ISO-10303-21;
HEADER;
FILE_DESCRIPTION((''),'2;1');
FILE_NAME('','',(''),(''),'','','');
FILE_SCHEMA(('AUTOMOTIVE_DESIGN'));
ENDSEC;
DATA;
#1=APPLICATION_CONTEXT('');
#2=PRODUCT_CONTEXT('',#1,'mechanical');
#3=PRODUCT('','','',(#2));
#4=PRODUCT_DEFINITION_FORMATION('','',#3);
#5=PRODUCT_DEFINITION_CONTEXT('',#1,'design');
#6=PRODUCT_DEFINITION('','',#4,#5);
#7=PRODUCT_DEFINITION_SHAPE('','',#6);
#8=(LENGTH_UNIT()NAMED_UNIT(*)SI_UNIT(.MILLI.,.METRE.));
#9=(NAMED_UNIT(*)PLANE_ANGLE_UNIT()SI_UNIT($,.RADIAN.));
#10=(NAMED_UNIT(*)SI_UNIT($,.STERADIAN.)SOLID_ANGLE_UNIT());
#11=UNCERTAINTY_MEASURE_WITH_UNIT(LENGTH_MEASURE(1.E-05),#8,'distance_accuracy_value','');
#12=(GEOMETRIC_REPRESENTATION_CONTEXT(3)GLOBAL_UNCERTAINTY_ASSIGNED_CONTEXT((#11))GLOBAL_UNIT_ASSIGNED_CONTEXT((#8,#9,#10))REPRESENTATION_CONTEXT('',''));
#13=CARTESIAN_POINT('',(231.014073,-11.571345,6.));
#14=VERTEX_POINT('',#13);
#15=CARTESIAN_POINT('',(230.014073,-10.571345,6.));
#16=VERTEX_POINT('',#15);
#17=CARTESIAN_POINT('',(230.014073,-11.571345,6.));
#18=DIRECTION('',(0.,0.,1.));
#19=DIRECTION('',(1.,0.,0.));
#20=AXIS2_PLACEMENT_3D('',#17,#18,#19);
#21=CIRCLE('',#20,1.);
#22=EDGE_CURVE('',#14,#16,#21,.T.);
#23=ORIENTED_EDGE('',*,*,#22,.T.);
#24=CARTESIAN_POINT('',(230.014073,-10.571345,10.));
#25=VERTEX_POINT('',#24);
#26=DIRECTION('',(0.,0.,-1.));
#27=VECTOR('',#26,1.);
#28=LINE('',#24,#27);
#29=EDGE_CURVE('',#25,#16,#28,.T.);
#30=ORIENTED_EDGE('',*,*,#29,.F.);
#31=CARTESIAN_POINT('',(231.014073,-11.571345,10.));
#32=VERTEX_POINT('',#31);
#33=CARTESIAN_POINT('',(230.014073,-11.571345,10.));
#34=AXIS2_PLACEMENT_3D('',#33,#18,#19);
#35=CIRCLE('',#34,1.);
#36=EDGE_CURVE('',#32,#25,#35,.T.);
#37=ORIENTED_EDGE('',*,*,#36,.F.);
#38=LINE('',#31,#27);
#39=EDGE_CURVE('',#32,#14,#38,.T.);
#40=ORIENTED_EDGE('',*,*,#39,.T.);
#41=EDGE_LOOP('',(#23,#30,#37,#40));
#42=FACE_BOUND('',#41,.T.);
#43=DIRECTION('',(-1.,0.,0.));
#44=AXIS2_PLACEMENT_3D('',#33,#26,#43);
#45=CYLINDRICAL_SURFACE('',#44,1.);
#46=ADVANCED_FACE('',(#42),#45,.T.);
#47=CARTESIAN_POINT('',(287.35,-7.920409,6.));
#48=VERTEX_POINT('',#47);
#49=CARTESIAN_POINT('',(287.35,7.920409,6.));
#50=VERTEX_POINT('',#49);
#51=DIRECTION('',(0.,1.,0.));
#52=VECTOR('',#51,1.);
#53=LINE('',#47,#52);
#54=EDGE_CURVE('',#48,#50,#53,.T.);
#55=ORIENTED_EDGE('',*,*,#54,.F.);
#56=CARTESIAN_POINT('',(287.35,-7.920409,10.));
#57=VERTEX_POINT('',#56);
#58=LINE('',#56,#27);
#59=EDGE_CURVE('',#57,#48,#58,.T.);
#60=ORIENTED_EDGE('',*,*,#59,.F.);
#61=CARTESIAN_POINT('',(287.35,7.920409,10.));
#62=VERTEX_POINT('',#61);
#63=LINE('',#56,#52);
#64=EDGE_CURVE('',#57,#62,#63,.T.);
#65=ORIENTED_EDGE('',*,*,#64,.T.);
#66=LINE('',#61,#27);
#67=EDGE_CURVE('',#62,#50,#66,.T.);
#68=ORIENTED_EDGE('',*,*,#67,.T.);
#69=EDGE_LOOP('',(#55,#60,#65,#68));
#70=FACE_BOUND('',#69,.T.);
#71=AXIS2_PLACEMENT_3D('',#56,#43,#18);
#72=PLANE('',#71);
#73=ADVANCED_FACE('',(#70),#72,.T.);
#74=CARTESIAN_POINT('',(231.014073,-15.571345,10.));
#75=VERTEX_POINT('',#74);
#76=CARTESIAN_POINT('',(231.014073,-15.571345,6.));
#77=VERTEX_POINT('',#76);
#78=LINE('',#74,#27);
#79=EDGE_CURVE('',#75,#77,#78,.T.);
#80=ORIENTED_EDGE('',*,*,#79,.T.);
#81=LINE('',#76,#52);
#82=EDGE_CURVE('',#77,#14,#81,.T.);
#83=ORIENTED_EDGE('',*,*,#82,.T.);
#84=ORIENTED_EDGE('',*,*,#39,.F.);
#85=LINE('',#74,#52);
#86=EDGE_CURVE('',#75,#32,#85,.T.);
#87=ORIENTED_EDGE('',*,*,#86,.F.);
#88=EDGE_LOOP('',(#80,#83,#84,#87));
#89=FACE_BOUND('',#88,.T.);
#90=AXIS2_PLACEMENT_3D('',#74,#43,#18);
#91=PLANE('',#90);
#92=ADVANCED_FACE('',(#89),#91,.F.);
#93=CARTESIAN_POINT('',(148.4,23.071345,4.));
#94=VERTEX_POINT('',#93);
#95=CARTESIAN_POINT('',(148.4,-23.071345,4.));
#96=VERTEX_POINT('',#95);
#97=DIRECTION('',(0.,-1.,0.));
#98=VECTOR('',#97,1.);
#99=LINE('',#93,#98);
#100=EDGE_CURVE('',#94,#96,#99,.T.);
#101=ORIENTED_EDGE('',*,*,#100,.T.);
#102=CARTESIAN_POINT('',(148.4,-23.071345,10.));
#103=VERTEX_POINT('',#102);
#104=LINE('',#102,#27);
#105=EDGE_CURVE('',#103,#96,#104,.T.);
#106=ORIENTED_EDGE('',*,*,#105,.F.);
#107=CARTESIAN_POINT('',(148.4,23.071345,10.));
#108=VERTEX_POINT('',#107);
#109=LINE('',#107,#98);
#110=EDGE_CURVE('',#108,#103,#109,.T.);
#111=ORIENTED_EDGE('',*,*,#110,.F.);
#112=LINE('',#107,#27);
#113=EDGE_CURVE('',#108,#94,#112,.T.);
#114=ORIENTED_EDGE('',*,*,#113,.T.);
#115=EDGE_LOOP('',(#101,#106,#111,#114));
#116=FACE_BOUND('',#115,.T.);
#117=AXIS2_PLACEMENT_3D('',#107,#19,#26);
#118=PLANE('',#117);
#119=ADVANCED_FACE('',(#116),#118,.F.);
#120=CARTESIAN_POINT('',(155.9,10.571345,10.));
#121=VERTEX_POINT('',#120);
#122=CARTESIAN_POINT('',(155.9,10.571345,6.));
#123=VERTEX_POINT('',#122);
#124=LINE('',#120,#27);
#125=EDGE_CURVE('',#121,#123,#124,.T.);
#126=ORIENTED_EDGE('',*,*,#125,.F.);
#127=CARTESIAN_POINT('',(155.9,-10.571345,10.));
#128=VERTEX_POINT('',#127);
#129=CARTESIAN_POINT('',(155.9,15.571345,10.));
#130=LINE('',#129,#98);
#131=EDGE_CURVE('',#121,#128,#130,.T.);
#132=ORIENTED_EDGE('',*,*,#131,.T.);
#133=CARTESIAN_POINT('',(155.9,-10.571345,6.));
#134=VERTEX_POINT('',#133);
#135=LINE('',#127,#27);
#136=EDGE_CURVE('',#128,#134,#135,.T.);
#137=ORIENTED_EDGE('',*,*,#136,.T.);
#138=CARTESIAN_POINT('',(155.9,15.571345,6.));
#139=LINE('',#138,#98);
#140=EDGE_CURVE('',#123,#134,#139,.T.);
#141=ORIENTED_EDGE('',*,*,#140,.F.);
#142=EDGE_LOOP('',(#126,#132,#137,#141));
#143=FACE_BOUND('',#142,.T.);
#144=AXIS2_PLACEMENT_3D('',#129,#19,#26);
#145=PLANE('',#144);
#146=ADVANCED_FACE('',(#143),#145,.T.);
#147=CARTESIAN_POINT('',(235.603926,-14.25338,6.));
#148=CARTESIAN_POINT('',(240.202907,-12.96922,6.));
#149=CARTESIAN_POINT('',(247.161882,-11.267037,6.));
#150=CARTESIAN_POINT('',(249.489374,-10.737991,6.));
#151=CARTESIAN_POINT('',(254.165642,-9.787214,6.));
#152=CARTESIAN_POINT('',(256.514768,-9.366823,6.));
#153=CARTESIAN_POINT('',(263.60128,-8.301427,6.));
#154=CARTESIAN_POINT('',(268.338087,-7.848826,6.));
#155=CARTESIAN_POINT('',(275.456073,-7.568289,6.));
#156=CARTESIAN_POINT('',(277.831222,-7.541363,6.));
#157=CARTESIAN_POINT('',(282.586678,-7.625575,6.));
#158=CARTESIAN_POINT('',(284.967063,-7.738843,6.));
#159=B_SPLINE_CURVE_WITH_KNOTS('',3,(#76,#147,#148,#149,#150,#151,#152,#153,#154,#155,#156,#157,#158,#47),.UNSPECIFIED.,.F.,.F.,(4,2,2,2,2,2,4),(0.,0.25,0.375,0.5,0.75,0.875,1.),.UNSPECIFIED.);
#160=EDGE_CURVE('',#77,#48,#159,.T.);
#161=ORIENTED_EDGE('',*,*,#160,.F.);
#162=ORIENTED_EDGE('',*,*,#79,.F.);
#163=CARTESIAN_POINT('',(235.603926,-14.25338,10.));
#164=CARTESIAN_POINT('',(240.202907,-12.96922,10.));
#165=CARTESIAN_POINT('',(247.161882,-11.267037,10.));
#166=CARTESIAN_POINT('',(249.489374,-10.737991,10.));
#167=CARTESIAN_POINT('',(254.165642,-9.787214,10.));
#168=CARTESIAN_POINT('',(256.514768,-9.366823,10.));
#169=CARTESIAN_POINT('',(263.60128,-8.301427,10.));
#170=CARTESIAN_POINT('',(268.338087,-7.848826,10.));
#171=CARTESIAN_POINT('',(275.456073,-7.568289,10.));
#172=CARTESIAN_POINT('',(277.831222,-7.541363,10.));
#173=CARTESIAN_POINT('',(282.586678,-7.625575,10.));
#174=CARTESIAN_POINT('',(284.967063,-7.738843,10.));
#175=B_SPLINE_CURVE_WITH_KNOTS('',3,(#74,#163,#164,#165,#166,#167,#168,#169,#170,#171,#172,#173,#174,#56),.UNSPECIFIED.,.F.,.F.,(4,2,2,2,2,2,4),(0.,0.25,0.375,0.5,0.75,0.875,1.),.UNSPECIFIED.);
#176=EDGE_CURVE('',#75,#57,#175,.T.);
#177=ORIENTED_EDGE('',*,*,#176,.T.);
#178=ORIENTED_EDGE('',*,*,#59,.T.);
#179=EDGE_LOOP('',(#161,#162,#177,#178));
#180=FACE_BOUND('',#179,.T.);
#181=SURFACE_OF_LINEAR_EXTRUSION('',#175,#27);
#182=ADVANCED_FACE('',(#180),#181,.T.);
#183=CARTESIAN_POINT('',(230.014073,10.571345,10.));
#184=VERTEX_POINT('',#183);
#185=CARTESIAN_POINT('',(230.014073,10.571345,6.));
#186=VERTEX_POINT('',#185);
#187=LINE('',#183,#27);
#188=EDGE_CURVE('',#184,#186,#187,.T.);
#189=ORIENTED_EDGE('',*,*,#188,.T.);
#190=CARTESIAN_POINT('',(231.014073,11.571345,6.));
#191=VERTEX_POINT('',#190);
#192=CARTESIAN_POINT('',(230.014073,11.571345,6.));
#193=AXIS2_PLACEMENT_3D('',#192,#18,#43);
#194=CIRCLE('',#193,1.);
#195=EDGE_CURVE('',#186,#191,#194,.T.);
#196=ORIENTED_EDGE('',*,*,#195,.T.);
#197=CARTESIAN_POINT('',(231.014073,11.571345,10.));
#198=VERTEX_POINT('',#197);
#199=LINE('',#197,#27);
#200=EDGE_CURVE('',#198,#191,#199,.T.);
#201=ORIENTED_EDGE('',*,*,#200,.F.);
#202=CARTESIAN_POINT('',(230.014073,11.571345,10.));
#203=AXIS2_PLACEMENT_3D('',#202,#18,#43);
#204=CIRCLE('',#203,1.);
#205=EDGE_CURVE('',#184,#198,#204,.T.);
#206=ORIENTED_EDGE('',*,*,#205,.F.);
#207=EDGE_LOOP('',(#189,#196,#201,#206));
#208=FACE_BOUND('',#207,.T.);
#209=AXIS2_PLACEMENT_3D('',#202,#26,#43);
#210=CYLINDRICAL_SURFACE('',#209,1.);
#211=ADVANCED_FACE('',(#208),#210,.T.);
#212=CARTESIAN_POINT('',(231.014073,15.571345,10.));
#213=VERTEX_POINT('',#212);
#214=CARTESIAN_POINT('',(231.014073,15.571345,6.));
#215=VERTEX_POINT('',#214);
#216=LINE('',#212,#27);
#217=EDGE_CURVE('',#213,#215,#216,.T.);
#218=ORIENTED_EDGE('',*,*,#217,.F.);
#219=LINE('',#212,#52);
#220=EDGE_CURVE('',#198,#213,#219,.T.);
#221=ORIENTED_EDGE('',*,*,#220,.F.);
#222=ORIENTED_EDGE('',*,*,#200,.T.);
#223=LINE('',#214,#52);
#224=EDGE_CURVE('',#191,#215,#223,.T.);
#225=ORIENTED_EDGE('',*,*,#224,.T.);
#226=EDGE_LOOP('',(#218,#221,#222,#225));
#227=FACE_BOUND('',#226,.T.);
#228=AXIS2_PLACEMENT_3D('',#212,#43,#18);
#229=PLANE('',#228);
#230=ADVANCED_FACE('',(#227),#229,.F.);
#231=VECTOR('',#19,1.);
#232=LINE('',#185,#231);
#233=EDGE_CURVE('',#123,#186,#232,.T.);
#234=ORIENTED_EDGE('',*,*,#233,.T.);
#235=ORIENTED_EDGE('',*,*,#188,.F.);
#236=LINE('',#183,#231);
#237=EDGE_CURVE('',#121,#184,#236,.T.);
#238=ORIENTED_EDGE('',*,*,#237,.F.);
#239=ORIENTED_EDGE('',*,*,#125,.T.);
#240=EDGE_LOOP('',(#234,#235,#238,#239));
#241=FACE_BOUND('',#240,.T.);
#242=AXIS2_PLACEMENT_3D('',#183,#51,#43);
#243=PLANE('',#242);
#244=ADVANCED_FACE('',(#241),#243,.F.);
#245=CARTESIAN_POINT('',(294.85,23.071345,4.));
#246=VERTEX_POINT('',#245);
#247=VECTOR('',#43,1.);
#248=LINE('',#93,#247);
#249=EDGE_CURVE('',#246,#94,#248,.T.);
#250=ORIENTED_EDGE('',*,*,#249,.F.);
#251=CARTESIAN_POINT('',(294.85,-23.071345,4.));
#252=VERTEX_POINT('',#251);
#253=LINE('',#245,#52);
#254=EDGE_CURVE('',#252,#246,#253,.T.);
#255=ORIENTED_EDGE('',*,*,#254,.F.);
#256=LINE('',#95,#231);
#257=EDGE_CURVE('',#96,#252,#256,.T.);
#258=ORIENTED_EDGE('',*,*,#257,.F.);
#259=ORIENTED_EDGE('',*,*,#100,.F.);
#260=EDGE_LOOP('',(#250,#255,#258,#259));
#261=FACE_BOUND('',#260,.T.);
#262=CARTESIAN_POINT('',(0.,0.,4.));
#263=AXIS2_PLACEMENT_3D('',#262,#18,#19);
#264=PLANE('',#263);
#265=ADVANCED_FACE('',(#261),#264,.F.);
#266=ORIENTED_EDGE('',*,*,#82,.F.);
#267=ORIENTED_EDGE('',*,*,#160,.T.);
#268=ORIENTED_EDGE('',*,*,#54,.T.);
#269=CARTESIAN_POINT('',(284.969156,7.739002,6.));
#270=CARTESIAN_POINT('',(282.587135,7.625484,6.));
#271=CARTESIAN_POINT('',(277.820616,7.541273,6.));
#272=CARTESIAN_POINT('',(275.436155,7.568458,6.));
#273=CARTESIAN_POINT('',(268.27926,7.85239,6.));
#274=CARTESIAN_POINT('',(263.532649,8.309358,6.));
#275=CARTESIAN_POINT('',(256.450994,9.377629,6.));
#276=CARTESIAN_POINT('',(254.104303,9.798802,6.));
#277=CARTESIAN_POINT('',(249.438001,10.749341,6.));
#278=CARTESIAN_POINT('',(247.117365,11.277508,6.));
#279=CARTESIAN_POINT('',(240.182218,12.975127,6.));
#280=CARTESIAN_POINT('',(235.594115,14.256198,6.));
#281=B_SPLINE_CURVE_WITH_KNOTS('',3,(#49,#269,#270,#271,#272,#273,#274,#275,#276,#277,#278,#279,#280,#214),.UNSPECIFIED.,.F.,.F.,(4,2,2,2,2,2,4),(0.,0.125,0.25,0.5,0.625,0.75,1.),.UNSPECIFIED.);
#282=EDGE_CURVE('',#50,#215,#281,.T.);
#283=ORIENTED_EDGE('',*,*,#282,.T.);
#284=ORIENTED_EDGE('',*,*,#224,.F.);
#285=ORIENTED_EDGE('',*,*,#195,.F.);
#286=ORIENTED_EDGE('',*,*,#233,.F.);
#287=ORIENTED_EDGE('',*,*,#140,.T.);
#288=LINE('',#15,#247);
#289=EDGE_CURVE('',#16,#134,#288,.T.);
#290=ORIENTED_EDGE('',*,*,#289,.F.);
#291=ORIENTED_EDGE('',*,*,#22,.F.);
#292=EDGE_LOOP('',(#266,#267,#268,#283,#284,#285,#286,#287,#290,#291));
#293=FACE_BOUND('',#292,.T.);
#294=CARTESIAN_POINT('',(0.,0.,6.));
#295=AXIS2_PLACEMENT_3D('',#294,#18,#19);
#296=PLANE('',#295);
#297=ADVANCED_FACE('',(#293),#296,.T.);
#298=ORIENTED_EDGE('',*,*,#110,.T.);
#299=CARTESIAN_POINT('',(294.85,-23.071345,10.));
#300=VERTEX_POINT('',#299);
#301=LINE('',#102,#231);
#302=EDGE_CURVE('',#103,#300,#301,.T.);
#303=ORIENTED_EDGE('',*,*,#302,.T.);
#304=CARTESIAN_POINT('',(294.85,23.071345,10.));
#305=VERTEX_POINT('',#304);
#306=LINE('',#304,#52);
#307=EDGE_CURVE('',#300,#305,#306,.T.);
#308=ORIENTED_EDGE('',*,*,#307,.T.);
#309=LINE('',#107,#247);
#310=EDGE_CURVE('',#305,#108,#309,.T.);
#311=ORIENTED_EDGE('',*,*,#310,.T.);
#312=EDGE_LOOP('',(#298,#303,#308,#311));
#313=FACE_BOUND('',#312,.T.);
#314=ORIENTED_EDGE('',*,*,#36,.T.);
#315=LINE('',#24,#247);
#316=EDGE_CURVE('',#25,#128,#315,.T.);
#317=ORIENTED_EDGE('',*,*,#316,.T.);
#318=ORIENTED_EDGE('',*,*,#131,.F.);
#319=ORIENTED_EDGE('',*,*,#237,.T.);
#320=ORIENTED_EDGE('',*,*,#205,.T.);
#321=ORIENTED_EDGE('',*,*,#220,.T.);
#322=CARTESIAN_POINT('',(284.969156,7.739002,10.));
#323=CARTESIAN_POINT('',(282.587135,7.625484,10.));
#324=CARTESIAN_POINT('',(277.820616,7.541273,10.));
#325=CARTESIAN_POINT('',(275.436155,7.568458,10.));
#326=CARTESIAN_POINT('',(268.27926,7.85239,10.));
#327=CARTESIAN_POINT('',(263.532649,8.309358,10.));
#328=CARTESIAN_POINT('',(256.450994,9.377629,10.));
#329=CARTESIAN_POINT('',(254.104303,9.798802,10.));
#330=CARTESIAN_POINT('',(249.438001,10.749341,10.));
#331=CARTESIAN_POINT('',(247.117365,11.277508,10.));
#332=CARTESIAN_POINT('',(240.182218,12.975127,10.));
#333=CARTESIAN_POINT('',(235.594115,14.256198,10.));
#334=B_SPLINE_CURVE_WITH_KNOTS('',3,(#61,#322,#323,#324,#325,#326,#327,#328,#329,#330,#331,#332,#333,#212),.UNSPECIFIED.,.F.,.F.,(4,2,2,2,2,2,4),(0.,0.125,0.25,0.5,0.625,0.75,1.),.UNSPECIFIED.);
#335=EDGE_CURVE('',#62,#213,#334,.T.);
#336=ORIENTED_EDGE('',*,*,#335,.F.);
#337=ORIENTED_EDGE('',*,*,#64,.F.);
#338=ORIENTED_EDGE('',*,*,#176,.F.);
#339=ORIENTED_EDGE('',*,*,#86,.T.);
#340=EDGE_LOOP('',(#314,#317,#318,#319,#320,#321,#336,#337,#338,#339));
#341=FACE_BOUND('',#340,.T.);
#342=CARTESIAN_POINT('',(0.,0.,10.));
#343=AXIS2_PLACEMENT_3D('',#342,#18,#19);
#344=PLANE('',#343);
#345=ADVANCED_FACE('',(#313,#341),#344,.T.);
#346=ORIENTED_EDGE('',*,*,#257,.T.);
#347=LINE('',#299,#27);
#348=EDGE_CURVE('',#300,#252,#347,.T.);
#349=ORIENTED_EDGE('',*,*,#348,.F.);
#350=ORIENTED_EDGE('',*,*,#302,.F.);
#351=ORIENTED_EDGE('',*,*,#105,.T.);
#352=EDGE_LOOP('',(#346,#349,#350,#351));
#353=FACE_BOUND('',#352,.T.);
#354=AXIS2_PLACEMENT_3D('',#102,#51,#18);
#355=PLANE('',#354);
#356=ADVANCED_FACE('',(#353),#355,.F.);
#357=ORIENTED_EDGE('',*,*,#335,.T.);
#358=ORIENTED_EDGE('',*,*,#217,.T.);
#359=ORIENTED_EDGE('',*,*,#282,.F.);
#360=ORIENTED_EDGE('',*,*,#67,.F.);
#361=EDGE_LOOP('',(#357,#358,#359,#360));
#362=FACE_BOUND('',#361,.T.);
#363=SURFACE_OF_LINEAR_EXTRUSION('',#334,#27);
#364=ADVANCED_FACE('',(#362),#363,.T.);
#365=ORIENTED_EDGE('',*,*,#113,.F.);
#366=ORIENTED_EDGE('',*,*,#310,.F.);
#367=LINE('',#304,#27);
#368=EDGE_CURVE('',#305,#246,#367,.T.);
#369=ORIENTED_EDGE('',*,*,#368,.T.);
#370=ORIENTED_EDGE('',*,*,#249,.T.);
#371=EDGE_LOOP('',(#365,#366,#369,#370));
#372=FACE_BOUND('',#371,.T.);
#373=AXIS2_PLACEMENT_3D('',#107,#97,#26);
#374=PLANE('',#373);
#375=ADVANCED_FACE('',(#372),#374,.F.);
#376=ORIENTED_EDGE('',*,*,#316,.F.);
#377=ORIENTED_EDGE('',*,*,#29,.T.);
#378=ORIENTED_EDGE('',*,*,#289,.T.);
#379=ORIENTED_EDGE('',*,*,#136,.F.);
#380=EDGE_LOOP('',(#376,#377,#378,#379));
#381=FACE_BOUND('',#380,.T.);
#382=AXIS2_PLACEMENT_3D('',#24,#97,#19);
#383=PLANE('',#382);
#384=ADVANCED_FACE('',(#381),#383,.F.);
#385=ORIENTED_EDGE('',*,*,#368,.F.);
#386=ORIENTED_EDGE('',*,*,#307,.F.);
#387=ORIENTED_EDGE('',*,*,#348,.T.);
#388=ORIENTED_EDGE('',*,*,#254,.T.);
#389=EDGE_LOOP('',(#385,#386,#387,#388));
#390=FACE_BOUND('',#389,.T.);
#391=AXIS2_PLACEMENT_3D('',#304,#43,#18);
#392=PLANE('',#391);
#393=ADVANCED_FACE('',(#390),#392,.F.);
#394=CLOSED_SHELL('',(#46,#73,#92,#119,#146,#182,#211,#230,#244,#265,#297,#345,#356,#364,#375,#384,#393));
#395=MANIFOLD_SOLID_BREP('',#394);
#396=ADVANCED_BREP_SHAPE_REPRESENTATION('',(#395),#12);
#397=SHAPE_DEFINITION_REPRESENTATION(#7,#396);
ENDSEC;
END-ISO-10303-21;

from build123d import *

# Parameters (mm, degrees)
SKETCH3_W           = 146.45
SKETCH3_H           = 46.142690012
BOSS_EXTRUDE1_DEPTH = 10
SKETCH5_W           = 146.45
SKETCH5_H           = 46.142690012
BOSS_EXTRUDE2_DEPTH = 6
BOSS_EXTRUDE3_DEPTH = 4


with BuildPart() as part:
    # Sketch3 → Boss-Extrude1 (new body)
    with BuildSketch(Plane.XY):
        with Locations((221.625, 0)):
            Rectangle(SKETCH3_W, SKETCH3_H)
        with BuildLine():
            Line((231.014073024, 15.571345006), (155.9, 15.571345006))
            Line((155.9, 15.571345006), (155.9, -15.571345006))
            Line((155.9, -15.571345006), (231.014073024, -15.571345006))
            add(Edge.make_bspline(
                [(231.014073024, -15.571345006), (235.603926114, -14.253380454), (240.202907461, -12.969220406), (247.161881801, -11.267037426), (249.489374332, -10.737991357), (254.165641768, -9.787213526), (256.514768348, -9.366822526), (263.601279745, -8.301427441), (268.338086531, -7.848826201), (275.456073059, -7.568289481), (277.831222276, -7.541362556), (282.586677642, -7.625574787), (284.967063297, -7.738842578), (287.35, -7.920409313)],
                knots=[0, 0, 0, 0, 0.25, 0.25, 0.375, 0.375, 0.5, 0.5, 0.75, 0.75, 0.875, 0.875, 1, 1, 1, 1], degree=3))
            Line((287.35, -7.920409313), (287.35, 7.920409313))
            add(Edge.make_bspline(
                [(287.35, 7.920409313), (284.969156465, 7.739002066), (282.587135429, 7.625484493), (277.820616166, 7.541273347), (275.436154733, 7.568458416), (268.279260355, 7.852389695), (263.532649453, 8.309357778), (256.45099394, 9.377629241), (254.104302816, 9.79880166), (249.438001237, 10.749341419), (247.117365, 11.277508342), (240.182218106, 12.975127096), (235.594114602, 14.256197804), (231.014073024, 15.571345006)],
                knots=[0, 0, 0, 0, 0.125, 0.125, 0.25, 0.25, 0.5, 0.5, 0.625, 0.625, 0.75, 0.75, 1, 1, 1, 1], degree=3))
        make_face(mode=Mode.SUBTRACT)
    extrude(amount=BOSS_EXTRUDE1_DEPTH)

    # Sketch5 → Boss-Extrude2 (add)
    with BuildSketch(Plane.XY):
        with Locations((221.625, 0)):
            Rectangle(SKETCH5_W, SKETCH5_H)
    extrude(amount=BOSS_EXTRUDE2_DEPTH)

    # Sketch6 → Boss-Extrude3 (add)
    with BuildSketch(Plane.XY.offset(6)):
        with BuildLine():
            Line((231.014073024, 15.571345006), (155.9, 15.571345006))
            Line((155.9, 15.571345006), (155.9, 10.571345006))
            Line((155.9, 10.571345006), (230.014073024, 10.571345006))
            ThreePointArc((230.014073024, 10.571345006), (230.721179805, 10.864238225), (231.014073024, 11.571345006))
            Line((231.014073024, 11.571345006), (231.014073024, 15.571345006))
        make_face()
        with BuildLine():
            Line((231.014073024, -15.571345006), (155.9, -15.571345006))
            Line((155.9, -15.571345006), (155.9, -10.571345006))
            Line((155.9, -10.571345006), (230.014073024, -10.571345006))
            ThreePointArc((230.014073024, -10.571345006), (230.721179805, -10.864238225), (231.014073024, -11.571345006))
            Line((231.014073024, -11.571345006), (231.014073024, -15.571345006))
        make_face()
    extrude(amount=BOSS_EXTRUDE3_DEPTH)

    # SurfaceCut2
    split(bisect_by=Plane.XY.offset(4), keep=Keep.TOP)


solid = part.part
